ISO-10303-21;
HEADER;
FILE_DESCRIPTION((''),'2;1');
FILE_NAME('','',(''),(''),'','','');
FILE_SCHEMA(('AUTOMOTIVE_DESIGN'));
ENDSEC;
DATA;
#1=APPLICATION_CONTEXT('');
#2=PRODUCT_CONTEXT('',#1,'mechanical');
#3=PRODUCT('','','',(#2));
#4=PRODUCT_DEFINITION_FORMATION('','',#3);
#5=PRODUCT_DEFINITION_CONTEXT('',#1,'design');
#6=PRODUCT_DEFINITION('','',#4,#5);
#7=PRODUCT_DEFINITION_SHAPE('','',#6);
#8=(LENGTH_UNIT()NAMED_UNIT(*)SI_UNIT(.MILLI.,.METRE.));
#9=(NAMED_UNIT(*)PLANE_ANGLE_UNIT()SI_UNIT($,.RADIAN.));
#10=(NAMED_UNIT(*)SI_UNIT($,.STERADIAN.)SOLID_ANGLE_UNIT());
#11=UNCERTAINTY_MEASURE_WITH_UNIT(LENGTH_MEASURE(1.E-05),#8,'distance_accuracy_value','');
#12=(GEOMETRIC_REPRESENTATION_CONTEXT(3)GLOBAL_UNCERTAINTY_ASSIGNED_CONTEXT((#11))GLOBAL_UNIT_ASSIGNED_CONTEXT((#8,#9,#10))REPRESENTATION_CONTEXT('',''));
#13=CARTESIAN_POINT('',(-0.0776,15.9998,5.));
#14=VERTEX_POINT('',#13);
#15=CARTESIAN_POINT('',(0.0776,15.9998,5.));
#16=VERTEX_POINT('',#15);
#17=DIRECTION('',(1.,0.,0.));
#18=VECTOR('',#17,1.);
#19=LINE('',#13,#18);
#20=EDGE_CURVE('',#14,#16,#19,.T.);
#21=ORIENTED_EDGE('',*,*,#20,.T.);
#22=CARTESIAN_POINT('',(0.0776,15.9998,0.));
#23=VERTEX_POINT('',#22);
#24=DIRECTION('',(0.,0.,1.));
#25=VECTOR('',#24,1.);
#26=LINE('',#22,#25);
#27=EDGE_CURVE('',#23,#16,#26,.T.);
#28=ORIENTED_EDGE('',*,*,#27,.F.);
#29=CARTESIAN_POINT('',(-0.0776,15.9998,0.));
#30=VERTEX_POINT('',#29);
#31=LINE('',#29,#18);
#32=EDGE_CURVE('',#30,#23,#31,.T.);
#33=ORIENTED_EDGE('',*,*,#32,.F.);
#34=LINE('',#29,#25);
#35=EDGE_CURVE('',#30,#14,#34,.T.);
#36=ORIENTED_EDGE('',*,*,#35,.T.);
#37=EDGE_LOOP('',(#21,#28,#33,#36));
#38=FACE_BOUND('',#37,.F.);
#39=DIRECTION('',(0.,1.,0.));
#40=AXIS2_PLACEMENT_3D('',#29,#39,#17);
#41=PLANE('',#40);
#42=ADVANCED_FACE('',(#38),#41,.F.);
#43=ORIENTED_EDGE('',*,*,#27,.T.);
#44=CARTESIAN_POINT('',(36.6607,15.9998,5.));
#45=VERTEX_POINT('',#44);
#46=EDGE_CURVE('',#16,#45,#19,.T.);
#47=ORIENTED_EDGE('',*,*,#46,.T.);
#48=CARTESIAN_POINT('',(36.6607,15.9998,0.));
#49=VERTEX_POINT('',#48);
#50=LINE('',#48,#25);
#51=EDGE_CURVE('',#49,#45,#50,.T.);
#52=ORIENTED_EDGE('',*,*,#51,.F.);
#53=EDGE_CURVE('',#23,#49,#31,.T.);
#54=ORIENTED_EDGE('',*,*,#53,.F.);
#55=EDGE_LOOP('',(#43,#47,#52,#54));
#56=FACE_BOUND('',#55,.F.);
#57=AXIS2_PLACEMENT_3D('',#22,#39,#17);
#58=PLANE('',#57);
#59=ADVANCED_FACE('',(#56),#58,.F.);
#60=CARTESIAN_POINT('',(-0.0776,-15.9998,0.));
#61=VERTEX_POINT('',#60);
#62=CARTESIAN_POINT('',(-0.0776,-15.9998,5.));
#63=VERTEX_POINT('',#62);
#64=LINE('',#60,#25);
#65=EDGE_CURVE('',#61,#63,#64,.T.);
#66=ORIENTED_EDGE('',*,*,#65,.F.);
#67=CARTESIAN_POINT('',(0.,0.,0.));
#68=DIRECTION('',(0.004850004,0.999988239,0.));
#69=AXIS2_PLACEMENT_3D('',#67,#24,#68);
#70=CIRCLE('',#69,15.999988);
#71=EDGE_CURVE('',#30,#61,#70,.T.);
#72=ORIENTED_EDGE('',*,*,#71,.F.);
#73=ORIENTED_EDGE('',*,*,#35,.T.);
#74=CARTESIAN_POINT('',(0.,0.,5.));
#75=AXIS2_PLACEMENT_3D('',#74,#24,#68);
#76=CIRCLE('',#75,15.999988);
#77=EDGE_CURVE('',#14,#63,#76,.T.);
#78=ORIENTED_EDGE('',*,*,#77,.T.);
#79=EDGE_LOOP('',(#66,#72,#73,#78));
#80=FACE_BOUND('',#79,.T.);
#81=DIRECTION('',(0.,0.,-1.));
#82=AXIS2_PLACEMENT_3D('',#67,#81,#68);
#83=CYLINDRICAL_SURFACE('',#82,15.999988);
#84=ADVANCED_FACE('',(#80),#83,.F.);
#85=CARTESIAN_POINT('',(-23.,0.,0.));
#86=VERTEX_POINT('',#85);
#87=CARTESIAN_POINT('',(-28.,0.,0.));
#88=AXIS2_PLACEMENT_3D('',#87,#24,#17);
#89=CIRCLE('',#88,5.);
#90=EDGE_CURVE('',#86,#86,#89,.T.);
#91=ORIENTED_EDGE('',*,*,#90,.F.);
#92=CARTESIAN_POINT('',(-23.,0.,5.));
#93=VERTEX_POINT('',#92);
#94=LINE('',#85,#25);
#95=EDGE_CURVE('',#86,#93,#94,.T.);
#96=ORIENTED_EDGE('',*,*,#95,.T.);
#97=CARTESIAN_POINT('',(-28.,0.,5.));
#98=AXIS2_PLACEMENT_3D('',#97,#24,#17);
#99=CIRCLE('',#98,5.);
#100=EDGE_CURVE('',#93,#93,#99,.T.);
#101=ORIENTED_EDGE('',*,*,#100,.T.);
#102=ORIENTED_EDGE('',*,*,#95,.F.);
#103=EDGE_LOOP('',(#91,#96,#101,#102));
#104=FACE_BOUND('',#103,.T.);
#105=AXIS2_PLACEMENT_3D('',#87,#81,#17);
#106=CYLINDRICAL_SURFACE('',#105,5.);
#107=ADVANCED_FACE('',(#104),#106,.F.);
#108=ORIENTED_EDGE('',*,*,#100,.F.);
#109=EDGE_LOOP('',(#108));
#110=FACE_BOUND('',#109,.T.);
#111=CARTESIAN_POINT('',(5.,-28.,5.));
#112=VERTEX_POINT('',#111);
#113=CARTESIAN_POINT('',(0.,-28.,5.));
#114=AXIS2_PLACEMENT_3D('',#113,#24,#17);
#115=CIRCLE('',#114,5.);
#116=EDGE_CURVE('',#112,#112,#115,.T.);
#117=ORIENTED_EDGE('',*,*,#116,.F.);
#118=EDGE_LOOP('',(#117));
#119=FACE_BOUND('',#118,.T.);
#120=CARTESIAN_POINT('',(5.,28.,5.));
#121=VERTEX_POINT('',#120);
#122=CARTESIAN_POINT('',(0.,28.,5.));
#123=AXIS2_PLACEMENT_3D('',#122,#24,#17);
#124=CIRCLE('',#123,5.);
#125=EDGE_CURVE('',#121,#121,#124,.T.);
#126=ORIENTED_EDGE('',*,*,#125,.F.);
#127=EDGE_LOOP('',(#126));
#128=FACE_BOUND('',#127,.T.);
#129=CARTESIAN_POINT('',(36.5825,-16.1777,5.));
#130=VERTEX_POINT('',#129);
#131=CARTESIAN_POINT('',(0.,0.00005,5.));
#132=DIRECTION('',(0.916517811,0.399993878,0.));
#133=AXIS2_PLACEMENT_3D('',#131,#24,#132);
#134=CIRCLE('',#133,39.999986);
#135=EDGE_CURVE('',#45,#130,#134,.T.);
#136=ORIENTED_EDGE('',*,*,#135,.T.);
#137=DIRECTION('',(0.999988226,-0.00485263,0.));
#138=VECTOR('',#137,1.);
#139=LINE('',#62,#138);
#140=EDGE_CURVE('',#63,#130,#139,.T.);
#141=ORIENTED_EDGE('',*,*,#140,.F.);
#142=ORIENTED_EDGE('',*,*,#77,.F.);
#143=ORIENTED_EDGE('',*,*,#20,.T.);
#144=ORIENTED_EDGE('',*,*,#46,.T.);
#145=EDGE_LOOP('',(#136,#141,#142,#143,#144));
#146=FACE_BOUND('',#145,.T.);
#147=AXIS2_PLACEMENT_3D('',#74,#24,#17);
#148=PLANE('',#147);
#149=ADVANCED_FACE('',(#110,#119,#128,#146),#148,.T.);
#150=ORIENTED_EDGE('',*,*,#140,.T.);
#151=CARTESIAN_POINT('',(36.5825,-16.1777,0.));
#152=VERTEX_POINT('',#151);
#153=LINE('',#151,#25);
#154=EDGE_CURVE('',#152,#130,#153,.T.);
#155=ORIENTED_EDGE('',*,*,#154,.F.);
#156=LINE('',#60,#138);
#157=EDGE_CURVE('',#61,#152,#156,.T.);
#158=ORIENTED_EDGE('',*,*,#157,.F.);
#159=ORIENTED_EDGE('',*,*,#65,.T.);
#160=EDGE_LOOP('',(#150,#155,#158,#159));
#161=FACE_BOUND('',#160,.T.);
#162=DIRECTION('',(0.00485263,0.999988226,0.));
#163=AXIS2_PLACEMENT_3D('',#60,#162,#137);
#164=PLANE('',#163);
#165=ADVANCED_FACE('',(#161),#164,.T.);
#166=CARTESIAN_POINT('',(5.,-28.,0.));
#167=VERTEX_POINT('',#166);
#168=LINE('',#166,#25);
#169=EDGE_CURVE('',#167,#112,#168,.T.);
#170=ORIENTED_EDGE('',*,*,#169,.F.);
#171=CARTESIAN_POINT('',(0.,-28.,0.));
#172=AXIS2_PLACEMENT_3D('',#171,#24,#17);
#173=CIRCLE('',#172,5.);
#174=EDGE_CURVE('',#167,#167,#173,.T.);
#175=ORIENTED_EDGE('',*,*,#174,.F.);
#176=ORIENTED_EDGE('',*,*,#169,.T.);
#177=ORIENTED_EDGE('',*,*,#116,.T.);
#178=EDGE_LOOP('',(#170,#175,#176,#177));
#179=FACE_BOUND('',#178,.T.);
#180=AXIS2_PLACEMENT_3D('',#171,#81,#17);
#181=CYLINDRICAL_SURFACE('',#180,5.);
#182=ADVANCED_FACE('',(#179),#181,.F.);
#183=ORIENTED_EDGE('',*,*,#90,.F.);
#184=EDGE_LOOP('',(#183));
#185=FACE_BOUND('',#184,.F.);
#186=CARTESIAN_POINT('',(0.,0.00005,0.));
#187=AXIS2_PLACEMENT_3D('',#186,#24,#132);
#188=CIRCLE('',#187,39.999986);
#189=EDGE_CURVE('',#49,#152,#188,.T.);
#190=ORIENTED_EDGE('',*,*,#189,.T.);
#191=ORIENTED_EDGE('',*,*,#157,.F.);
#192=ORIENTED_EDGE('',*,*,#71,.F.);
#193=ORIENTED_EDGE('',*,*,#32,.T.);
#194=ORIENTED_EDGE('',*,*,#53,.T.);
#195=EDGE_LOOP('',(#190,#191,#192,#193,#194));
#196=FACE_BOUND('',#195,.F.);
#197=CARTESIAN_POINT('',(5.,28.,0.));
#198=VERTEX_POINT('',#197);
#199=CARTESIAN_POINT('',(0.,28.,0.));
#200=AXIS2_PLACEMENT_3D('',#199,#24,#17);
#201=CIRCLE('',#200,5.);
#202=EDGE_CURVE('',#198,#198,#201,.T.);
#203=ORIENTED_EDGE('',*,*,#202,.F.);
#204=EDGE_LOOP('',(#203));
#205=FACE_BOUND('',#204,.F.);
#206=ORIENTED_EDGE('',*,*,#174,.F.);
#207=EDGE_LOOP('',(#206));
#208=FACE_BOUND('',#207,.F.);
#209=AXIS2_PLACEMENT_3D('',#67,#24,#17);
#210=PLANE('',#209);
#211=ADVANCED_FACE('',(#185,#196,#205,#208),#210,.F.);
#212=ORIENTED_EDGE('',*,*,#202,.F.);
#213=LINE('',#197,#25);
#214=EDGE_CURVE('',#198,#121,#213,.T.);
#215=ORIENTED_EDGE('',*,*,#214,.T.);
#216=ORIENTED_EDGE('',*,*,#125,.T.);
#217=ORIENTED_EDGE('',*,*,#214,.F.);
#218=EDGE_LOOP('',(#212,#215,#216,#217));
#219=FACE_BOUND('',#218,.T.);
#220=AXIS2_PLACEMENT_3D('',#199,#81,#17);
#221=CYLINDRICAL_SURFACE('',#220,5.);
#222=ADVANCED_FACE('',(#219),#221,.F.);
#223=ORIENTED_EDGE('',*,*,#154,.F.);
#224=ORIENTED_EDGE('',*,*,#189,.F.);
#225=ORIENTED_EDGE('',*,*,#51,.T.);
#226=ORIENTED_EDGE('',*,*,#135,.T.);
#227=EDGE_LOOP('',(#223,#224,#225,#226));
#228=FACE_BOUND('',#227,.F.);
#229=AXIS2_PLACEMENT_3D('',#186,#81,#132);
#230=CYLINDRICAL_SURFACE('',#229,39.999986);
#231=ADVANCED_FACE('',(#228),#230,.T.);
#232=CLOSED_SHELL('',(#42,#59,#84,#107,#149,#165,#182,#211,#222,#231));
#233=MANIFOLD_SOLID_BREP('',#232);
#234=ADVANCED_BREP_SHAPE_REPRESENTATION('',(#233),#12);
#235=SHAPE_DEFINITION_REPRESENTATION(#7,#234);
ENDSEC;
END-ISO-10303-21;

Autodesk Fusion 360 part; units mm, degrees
sketch "Sketch1" plane through (0, 0, 0) normal (0, 0, 1) x (1, 0, 0)
  circle A0 centre (-28, 0) radius 5
  circle A1 centre (0, 28) radius 5
  circle A2 centre (0, -28) radius 5
  line L0 (-0.0776, 15.9998) -> (36.6607, 15.9998)
  line L1 (-0.0776, -15.9998) -> (36.5825, -16.1777)
  arc A3 (36.6607, 15.9998) -> (36.5825, -16.1777) centre (0, 0) ccw
  arc A4 (0.0776, 15.9998) -> (-0.0776, -15.9998) centre (0, 0) ccw
  dimension "d1" = 80
  dimension "d3" = 28
  dimension "d4" = 10
  dimension "d5" = 28
  dimension "d6" = 28
  dimension "d7" = 10
  dimension "d8" = 10
extrude "Extrude1" add sketch "Sketch1" along normal blind 5
